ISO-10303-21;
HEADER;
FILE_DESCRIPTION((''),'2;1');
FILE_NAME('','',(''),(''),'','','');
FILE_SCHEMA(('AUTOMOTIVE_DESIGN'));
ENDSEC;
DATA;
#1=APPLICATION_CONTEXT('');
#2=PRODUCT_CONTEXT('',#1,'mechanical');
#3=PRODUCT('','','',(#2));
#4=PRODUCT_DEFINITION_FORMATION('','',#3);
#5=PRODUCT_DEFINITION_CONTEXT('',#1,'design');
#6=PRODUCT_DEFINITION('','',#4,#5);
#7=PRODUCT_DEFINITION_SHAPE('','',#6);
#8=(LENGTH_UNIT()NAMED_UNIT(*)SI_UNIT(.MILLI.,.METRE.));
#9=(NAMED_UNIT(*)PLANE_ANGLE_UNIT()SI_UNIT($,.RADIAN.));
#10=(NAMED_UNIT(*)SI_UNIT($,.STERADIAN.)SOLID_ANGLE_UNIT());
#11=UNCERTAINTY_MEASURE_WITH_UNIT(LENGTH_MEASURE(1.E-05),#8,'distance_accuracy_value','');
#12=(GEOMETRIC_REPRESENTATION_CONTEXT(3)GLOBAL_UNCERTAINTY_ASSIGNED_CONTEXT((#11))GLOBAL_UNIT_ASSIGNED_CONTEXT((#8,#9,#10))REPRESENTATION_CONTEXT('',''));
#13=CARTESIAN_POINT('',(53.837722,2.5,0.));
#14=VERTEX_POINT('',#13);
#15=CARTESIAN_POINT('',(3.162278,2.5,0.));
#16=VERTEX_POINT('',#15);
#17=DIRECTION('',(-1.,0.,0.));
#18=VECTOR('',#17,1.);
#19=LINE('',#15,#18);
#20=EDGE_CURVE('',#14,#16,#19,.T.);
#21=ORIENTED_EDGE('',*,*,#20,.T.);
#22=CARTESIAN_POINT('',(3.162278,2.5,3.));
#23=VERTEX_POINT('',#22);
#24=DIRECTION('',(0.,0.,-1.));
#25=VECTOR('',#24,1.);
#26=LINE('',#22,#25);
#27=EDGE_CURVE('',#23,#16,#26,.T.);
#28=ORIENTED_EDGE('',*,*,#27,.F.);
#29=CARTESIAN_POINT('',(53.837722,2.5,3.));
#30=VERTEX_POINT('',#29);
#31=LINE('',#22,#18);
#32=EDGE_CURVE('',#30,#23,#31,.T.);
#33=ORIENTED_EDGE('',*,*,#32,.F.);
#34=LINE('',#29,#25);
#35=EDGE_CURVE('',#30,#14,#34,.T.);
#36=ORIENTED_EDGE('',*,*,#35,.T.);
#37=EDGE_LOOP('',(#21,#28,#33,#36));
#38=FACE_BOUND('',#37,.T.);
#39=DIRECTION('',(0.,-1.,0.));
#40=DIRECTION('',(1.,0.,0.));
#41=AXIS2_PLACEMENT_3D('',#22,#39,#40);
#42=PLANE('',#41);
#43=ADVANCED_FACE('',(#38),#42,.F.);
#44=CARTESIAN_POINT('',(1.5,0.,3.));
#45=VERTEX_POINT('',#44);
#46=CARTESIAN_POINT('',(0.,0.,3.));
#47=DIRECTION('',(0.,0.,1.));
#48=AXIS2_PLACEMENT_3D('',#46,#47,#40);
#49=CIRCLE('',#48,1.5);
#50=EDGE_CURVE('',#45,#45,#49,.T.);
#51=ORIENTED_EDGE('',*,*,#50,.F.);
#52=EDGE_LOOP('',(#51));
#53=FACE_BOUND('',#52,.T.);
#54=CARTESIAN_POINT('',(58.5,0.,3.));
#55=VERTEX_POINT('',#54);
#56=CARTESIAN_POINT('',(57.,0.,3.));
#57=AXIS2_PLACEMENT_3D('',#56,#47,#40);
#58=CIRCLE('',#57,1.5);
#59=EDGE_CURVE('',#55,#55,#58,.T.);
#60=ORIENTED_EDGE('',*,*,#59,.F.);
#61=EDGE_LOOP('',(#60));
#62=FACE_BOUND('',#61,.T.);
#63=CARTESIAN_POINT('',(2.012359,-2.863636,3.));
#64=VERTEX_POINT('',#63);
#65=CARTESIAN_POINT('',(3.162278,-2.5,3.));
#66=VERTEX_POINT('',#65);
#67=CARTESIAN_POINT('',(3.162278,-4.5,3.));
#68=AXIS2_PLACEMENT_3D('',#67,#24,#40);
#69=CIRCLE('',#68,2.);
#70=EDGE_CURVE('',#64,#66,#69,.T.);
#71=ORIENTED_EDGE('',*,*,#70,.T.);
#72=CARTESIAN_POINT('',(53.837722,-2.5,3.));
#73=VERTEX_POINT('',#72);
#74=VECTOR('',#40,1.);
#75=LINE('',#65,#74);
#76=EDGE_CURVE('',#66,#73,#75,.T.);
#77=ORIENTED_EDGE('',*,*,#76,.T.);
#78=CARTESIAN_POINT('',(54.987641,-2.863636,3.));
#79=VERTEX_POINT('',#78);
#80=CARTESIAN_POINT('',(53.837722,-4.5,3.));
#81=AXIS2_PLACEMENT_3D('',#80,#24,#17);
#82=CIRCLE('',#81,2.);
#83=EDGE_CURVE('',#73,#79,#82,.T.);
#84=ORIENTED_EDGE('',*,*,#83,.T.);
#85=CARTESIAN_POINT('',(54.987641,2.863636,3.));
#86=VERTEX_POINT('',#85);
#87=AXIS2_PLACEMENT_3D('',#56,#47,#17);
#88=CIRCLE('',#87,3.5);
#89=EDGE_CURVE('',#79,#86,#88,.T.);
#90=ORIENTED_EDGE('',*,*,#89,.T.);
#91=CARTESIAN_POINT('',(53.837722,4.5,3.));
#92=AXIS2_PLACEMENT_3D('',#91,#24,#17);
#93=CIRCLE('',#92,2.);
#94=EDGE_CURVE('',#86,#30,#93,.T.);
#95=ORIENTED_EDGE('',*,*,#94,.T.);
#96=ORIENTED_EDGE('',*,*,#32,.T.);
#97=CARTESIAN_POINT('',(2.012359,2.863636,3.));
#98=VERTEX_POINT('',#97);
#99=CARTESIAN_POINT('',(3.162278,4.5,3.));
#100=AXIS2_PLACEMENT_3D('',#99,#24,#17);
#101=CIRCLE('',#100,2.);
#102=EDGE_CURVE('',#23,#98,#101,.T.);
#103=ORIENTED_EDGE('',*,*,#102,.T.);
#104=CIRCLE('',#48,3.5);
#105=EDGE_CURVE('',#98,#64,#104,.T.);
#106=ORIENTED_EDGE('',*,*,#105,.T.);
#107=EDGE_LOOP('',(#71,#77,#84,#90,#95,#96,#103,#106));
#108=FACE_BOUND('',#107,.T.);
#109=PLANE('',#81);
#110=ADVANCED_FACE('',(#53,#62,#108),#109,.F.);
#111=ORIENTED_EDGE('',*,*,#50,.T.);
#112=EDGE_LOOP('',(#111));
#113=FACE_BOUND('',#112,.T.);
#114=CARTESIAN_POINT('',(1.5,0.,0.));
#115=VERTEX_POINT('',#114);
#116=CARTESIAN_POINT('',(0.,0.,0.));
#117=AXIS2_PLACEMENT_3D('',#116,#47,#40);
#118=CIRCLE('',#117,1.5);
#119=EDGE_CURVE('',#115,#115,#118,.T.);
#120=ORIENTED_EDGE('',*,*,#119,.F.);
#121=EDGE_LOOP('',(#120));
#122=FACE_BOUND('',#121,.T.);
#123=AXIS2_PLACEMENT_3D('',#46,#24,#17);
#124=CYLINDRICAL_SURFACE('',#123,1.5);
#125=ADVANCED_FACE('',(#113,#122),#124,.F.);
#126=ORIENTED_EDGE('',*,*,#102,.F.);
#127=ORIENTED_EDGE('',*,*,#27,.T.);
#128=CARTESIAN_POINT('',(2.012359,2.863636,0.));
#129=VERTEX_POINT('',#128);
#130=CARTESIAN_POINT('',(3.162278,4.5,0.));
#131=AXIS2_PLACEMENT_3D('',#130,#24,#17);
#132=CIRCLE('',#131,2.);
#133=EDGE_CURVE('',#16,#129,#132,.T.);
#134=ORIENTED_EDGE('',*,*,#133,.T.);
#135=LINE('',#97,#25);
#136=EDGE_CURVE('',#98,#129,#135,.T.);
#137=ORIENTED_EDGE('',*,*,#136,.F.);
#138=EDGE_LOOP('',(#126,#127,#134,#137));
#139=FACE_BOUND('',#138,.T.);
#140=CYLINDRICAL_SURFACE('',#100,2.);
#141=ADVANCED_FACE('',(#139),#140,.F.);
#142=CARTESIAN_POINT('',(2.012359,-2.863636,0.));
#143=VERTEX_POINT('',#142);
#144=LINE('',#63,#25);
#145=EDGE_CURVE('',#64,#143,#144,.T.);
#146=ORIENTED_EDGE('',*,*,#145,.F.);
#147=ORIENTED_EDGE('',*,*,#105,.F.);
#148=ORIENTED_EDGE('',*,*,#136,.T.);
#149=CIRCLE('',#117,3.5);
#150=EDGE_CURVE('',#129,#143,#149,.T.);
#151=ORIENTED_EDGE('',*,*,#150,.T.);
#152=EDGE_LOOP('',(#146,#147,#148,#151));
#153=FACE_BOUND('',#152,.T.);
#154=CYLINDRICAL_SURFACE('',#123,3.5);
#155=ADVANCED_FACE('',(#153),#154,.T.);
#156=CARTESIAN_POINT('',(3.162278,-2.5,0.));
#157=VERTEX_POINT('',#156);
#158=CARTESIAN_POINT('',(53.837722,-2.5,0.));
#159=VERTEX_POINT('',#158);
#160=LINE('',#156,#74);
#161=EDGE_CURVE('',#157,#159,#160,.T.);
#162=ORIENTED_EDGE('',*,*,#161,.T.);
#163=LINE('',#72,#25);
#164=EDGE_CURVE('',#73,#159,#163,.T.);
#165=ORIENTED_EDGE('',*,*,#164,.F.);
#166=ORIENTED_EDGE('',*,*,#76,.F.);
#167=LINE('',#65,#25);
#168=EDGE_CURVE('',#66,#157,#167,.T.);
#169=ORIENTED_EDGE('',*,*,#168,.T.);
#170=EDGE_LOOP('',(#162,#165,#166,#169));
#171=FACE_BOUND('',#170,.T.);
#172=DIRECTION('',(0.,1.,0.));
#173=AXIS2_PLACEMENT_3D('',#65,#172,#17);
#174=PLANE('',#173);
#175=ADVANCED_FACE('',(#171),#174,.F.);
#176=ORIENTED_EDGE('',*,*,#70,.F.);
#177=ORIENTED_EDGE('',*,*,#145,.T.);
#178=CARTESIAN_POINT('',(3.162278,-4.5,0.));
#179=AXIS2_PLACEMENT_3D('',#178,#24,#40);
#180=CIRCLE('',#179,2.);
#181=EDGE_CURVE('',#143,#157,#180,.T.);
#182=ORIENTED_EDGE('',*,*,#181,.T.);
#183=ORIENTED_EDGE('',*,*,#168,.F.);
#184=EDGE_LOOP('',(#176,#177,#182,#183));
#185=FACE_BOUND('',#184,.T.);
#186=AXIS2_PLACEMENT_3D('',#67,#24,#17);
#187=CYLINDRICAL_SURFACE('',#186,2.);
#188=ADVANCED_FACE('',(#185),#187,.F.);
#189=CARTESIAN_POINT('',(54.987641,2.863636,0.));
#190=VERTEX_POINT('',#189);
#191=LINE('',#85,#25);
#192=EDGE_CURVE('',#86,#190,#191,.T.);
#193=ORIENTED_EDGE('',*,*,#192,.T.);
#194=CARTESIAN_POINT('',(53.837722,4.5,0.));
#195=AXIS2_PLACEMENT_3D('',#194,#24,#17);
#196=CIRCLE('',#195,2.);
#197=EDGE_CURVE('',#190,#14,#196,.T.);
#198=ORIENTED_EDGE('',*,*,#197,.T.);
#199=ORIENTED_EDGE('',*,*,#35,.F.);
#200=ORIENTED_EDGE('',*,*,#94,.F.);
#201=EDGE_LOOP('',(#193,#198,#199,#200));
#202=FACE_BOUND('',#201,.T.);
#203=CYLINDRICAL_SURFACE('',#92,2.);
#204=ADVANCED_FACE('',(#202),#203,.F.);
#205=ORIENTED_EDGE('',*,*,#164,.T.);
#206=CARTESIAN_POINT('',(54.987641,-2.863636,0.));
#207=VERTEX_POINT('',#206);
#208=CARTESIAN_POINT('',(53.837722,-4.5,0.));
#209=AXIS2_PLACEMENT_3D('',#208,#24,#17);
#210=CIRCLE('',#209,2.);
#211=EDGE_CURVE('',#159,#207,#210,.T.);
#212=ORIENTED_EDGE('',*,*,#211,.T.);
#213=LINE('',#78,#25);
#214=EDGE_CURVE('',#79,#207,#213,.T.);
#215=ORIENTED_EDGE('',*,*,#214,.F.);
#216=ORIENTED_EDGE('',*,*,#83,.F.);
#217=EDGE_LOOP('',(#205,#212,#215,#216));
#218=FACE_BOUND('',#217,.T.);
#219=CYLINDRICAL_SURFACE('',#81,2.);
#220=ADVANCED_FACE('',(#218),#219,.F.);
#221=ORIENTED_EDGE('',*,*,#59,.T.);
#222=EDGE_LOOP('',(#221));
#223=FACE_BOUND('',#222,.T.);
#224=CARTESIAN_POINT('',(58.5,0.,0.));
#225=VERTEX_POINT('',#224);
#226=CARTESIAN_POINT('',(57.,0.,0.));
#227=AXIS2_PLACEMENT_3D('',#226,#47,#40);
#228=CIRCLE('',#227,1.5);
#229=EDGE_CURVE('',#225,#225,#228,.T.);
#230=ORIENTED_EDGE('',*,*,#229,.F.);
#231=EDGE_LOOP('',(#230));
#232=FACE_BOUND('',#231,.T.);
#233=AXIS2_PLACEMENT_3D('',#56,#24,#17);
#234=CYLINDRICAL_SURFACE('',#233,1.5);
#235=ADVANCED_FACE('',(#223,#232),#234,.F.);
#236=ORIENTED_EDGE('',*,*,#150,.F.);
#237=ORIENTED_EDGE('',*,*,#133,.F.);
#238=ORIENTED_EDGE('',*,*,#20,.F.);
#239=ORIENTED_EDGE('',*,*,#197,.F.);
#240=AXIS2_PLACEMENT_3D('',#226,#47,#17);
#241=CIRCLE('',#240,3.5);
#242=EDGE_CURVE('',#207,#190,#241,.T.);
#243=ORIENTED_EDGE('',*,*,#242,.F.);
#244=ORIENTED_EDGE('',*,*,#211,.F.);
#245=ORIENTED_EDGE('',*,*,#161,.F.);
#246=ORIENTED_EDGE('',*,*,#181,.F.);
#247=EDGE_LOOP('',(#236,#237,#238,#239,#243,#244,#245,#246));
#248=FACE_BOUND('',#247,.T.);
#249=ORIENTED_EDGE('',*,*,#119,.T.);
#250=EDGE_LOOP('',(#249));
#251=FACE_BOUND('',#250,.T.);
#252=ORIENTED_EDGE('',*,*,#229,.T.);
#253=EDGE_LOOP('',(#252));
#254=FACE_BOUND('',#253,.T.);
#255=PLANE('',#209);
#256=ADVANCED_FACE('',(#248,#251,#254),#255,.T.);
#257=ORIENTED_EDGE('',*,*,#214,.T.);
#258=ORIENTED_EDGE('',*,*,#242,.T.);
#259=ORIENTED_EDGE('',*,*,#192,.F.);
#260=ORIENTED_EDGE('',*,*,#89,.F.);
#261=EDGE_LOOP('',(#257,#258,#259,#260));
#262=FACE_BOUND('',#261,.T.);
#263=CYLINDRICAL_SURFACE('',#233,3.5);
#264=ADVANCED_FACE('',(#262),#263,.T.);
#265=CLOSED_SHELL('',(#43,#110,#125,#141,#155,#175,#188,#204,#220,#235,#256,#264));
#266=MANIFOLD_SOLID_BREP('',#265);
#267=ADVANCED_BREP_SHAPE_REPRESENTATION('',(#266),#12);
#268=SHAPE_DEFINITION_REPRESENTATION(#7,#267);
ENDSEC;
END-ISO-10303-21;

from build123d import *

# Parameters (mm, degrees)
SKETCH_1_R      = 1.5
EXTRUDE_1_DEPTH = 3


with BuildPart() as part:
    # 草图1 → 凸台-拉伸1 (new body)
    with BuildSketch(Plane.XY):
        with BuildLine():
            Line((3.16227766, 2.5), (53.83772234, 2.5))
            ThreePointArc((53.83772234, 2.5), (54.440745029, 2.593074822), (54.987641489, 2.863636364))
            ThreePointArc((54.987641489, 2.863636364), (60.5, 0), (54.987641489, -2.863636364))
            ThreePointArc((54.987641489, -2.863636364), (54.440745029, -2.593074822), (53.83772234, -2.5))
            Line((53.83772234, -2.5), (3.16227766, -2.5))
            ThreePointArc((3.16227766, -2.5), (2.559254971, -2.593074822), (2.012358511, -2.863636364))
            ThreePointArc((2.012358511, -2.863636364), (-3.5, 0), (2.012358511, 2.863636364))
            ThreePointArc((2.012358511, 2.863636364), (2.559254971, 2.593074822), (3.16227766, 2.5))
        make_face()
        Circle(SKETCH_1_R, mode=Mode.SUBTRACT)
        with Locations((57, 0)):
            Circle(SKETCH_1_R, mode=Mode.SUBTRACT)
    extrude(amount=EXTRUDE_1_DEPTH)


solid = part.part
